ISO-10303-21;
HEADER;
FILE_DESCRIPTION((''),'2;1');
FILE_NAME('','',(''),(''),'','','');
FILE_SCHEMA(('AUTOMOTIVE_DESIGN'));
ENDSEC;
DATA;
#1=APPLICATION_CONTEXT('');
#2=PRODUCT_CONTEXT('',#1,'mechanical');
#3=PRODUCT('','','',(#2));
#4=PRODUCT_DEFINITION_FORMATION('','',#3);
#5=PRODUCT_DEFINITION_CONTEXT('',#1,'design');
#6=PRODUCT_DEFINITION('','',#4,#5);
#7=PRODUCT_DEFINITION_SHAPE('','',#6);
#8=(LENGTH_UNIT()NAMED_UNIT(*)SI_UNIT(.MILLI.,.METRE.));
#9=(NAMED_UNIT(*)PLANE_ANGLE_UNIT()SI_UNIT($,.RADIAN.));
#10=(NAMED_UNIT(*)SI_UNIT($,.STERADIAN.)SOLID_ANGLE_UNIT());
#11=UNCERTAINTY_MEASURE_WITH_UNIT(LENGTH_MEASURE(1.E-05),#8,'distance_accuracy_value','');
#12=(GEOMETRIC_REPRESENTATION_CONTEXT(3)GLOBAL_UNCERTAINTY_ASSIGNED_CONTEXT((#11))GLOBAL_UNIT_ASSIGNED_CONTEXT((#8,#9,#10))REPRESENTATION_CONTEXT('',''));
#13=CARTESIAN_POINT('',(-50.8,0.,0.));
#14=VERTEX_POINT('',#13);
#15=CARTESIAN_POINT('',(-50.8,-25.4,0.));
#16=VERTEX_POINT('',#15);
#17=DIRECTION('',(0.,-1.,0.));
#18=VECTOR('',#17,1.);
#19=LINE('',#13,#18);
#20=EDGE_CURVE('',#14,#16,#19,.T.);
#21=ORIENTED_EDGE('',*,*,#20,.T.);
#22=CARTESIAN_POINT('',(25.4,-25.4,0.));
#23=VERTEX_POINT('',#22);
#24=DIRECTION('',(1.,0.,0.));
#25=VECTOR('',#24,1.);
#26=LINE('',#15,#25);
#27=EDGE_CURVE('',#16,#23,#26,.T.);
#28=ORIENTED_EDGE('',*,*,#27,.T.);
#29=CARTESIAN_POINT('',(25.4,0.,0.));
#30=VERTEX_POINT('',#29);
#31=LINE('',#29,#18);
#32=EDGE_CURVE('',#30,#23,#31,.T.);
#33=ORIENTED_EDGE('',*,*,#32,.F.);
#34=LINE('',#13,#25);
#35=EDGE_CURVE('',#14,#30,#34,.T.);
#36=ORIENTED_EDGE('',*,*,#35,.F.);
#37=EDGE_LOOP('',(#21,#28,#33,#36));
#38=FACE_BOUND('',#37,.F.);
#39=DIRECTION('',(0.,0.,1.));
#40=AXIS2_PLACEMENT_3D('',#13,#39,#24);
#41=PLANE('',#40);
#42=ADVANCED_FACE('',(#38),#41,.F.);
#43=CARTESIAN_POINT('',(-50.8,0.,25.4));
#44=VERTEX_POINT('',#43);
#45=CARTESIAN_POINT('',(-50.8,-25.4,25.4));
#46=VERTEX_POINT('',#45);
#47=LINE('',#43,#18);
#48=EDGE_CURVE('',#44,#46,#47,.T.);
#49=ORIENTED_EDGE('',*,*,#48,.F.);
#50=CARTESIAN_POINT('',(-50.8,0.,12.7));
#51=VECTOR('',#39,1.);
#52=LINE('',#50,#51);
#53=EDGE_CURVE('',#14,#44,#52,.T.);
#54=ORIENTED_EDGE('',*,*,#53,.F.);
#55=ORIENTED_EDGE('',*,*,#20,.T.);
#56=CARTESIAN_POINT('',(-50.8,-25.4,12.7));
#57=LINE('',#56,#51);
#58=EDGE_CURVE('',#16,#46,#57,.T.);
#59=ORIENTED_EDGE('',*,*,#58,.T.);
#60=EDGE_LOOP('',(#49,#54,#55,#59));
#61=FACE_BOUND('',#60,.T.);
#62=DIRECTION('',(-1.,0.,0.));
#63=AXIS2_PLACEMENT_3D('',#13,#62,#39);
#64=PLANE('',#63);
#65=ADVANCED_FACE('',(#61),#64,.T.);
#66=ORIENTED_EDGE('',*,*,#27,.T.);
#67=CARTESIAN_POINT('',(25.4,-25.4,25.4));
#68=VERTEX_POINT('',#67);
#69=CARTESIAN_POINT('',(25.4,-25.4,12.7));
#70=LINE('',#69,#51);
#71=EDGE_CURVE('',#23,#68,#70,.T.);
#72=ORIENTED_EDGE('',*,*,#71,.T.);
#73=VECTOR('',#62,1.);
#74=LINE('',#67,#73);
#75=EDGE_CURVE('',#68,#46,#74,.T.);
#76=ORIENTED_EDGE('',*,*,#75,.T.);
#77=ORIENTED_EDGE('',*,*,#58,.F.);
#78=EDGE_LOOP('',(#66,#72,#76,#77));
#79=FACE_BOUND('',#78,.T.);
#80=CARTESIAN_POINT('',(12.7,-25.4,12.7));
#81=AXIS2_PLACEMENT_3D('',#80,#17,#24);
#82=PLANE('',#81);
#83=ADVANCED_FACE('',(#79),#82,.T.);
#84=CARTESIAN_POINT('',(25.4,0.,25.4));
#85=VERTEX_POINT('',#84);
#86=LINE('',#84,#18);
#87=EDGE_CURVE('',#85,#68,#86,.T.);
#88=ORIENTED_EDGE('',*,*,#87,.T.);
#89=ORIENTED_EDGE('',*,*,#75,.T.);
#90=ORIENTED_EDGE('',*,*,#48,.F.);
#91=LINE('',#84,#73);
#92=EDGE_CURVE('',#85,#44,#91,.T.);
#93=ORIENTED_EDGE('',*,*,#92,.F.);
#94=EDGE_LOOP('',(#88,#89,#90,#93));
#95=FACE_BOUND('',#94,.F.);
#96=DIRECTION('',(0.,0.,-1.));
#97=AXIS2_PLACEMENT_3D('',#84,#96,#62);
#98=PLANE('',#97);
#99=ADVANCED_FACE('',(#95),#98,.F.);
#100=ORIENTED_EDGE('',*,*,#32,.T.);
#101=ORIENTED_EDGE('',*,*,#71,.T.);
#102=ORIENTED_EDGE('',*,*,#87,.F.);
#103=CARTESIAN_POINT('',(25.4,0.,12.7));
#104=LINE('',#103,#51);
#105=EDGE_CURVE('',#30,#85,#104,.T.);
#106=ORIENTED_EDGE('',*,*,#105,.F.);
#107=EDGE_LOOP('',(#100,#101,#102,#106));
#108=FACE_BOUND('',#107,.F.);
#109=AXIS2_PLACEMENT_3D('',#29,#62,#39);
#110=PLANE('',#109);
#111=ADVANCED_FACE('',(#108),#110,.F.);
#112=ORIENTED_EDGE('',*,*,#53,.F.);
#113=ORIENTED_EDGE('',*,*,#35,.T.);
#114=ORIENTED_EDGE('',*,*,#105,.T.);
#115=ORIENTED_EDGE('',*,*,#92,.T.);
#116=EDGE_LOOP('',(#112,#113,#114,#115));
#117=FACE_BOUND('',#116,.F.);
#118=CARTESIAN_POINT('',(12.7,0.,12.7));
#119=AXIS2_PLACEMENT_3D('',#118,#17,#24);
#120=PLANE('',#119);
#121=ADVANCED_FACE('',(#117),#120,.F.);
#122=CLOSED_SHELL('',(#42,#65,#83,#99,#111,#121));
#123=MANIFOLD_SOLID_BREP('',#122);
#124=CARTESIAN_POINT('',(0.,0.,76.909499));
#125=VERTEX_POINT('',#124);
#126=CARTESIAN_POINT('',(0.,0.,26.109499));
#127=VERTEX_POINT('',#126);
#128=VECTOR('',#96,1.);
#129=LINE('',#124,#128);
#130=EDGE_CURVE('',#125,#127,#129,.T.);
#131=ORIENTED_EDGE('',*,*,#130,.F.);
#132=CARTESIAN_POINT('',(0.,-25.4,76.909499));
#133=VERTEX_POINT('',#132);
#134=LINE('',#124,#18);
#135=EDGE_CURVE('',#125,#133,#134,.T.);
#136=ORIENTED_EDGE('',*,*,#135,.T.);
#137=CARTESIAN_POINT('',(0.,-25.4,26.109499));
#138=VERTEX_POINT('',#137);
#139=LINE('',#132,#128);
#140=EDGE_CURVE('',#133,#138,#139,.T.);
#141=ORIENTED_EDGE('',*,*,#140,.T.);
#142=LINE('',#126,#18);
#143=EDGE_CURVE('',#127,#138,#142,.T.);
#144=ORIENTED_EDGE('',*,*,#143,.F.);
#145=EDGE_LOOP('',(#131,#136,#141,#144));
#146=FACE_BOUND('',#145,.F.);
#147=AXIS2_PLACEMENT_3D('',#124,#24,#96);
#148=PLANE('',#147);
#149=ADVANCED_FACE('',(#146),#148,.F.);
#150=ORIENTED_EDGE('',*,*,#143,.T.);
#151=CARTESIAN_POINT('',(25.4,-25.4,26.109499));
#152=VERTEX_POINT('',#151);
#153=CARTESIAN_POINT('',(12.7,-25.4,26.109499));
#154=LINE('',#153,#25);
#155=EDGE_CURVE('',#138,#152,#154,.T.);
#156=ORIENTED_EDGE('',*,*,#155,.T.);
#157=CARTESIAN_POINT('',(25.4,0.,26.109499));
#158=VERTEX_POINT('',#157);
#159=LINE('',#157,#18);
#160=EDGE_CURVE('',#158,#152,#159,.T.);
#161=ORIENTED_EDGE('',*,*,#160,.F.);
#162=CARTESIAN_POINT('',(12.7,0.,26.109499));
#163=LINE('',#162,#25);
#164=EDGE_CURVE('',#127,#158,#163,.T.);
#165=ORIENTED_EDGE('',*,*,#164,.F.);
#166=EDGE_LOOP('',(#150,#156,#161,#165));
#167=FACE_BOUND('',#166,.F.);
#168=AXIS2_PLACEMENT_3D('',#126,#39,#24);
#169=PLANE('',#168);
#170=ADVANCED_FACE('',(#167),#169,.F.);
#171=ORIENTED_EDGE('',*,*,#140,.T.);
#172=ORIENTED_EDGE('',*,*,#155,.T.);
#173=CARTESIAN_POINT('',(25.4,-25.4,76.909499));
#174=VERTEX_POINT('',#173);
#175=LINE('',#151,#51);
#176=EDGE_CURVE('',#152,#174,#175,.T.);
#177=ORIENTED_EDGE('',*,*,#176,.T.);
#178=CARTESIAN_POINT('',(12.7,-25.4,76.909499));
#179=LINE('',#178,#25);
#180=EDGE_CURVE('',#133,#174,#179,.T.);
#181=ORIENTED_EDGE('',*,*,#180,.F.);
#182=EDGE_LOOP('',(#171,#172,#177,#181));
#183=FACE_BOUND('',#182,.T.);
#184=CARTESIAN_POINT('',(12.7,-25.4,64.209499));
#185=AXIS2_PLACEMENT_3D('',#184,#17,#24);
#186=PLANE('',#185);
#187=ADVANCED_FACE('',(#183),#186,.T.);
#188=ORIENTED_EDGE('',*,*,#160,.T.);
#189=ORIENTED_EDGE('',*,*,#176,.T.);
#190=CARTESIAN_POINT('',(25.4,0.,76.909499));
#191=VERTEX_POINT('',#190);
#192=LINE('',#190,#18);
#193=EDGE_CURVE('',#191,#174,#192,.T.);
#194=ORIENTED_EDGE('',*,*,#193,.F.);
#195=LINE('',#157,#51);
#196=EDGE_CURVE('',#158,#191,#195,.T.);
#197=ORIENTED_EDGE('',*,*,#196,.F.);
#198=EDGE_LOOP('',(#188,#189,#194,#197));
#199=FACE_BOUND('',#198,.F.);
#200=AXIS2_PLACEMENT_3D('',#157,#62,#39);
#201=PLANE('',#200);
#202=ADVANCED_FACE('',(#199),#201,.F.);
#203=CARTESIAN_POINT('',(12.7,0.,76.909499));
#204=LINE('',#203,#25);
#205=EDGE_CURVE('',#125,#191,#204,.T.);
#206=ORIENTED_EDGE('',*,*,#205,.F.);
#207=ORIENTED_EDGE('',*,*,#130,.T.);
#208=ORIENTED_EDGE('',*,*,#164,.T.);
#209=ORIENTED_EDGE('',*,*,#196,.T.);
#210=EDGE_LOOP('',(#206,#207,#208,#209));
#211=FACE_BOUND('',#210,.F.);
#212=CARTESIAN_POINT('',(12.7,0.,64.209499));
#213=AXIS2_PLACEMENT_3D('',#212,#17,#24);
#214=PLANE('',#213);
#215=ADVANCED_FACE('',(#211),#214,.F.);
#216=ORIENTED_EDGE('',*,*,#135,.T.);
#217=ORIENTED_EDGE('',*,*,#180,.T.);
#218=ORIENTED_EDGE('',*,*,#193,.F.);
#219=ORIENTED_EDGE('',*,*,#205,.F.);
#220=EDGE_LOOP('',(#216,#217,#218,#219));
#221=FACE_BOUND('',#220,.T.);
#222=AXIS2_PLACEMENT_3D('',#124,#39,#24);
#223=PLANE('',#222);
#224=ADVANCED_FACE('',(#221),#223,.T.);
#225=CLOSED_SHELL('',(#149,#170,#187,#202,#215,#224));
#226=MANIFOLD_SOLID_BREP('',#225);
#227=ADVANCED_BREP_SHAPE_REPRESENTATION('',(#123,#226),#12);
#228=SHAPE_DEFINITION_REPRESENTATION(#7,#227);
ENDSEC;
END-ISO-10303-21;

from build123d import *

# Parameters (mm, degrees)
F1_W     = 25.4
F1_H     = 25.4
F0_W     = 25.4
F0_H     = 25.4
F2_DEPTH = 25.4


with BuildPart() as f2:
    # F1 (on Front) + F0 (on Front) → F2 (new body)
    with BuildSketch(Plane.XZ):
        with Locations((12.7, 64.209499)):
            Rectangle(F1_W, F1_H)
        with Locations((12.7, 38.809499)):
            Rectangle(F1_W, F1_H)
    with BuildSketch(Plane.XZ):
        with Locations((12.7, 12.7)):
            Rectangle(F0_W, F0_H)
        with Locations((-12.7, 12.7)):
            Rectangle(F0_W, F0_H)
        with Locations((-38.1, 12.7)):
            Rectangle(F0_W, F0_H)
    extrude(amount=F2_DEPTH)


solid = f2.part
